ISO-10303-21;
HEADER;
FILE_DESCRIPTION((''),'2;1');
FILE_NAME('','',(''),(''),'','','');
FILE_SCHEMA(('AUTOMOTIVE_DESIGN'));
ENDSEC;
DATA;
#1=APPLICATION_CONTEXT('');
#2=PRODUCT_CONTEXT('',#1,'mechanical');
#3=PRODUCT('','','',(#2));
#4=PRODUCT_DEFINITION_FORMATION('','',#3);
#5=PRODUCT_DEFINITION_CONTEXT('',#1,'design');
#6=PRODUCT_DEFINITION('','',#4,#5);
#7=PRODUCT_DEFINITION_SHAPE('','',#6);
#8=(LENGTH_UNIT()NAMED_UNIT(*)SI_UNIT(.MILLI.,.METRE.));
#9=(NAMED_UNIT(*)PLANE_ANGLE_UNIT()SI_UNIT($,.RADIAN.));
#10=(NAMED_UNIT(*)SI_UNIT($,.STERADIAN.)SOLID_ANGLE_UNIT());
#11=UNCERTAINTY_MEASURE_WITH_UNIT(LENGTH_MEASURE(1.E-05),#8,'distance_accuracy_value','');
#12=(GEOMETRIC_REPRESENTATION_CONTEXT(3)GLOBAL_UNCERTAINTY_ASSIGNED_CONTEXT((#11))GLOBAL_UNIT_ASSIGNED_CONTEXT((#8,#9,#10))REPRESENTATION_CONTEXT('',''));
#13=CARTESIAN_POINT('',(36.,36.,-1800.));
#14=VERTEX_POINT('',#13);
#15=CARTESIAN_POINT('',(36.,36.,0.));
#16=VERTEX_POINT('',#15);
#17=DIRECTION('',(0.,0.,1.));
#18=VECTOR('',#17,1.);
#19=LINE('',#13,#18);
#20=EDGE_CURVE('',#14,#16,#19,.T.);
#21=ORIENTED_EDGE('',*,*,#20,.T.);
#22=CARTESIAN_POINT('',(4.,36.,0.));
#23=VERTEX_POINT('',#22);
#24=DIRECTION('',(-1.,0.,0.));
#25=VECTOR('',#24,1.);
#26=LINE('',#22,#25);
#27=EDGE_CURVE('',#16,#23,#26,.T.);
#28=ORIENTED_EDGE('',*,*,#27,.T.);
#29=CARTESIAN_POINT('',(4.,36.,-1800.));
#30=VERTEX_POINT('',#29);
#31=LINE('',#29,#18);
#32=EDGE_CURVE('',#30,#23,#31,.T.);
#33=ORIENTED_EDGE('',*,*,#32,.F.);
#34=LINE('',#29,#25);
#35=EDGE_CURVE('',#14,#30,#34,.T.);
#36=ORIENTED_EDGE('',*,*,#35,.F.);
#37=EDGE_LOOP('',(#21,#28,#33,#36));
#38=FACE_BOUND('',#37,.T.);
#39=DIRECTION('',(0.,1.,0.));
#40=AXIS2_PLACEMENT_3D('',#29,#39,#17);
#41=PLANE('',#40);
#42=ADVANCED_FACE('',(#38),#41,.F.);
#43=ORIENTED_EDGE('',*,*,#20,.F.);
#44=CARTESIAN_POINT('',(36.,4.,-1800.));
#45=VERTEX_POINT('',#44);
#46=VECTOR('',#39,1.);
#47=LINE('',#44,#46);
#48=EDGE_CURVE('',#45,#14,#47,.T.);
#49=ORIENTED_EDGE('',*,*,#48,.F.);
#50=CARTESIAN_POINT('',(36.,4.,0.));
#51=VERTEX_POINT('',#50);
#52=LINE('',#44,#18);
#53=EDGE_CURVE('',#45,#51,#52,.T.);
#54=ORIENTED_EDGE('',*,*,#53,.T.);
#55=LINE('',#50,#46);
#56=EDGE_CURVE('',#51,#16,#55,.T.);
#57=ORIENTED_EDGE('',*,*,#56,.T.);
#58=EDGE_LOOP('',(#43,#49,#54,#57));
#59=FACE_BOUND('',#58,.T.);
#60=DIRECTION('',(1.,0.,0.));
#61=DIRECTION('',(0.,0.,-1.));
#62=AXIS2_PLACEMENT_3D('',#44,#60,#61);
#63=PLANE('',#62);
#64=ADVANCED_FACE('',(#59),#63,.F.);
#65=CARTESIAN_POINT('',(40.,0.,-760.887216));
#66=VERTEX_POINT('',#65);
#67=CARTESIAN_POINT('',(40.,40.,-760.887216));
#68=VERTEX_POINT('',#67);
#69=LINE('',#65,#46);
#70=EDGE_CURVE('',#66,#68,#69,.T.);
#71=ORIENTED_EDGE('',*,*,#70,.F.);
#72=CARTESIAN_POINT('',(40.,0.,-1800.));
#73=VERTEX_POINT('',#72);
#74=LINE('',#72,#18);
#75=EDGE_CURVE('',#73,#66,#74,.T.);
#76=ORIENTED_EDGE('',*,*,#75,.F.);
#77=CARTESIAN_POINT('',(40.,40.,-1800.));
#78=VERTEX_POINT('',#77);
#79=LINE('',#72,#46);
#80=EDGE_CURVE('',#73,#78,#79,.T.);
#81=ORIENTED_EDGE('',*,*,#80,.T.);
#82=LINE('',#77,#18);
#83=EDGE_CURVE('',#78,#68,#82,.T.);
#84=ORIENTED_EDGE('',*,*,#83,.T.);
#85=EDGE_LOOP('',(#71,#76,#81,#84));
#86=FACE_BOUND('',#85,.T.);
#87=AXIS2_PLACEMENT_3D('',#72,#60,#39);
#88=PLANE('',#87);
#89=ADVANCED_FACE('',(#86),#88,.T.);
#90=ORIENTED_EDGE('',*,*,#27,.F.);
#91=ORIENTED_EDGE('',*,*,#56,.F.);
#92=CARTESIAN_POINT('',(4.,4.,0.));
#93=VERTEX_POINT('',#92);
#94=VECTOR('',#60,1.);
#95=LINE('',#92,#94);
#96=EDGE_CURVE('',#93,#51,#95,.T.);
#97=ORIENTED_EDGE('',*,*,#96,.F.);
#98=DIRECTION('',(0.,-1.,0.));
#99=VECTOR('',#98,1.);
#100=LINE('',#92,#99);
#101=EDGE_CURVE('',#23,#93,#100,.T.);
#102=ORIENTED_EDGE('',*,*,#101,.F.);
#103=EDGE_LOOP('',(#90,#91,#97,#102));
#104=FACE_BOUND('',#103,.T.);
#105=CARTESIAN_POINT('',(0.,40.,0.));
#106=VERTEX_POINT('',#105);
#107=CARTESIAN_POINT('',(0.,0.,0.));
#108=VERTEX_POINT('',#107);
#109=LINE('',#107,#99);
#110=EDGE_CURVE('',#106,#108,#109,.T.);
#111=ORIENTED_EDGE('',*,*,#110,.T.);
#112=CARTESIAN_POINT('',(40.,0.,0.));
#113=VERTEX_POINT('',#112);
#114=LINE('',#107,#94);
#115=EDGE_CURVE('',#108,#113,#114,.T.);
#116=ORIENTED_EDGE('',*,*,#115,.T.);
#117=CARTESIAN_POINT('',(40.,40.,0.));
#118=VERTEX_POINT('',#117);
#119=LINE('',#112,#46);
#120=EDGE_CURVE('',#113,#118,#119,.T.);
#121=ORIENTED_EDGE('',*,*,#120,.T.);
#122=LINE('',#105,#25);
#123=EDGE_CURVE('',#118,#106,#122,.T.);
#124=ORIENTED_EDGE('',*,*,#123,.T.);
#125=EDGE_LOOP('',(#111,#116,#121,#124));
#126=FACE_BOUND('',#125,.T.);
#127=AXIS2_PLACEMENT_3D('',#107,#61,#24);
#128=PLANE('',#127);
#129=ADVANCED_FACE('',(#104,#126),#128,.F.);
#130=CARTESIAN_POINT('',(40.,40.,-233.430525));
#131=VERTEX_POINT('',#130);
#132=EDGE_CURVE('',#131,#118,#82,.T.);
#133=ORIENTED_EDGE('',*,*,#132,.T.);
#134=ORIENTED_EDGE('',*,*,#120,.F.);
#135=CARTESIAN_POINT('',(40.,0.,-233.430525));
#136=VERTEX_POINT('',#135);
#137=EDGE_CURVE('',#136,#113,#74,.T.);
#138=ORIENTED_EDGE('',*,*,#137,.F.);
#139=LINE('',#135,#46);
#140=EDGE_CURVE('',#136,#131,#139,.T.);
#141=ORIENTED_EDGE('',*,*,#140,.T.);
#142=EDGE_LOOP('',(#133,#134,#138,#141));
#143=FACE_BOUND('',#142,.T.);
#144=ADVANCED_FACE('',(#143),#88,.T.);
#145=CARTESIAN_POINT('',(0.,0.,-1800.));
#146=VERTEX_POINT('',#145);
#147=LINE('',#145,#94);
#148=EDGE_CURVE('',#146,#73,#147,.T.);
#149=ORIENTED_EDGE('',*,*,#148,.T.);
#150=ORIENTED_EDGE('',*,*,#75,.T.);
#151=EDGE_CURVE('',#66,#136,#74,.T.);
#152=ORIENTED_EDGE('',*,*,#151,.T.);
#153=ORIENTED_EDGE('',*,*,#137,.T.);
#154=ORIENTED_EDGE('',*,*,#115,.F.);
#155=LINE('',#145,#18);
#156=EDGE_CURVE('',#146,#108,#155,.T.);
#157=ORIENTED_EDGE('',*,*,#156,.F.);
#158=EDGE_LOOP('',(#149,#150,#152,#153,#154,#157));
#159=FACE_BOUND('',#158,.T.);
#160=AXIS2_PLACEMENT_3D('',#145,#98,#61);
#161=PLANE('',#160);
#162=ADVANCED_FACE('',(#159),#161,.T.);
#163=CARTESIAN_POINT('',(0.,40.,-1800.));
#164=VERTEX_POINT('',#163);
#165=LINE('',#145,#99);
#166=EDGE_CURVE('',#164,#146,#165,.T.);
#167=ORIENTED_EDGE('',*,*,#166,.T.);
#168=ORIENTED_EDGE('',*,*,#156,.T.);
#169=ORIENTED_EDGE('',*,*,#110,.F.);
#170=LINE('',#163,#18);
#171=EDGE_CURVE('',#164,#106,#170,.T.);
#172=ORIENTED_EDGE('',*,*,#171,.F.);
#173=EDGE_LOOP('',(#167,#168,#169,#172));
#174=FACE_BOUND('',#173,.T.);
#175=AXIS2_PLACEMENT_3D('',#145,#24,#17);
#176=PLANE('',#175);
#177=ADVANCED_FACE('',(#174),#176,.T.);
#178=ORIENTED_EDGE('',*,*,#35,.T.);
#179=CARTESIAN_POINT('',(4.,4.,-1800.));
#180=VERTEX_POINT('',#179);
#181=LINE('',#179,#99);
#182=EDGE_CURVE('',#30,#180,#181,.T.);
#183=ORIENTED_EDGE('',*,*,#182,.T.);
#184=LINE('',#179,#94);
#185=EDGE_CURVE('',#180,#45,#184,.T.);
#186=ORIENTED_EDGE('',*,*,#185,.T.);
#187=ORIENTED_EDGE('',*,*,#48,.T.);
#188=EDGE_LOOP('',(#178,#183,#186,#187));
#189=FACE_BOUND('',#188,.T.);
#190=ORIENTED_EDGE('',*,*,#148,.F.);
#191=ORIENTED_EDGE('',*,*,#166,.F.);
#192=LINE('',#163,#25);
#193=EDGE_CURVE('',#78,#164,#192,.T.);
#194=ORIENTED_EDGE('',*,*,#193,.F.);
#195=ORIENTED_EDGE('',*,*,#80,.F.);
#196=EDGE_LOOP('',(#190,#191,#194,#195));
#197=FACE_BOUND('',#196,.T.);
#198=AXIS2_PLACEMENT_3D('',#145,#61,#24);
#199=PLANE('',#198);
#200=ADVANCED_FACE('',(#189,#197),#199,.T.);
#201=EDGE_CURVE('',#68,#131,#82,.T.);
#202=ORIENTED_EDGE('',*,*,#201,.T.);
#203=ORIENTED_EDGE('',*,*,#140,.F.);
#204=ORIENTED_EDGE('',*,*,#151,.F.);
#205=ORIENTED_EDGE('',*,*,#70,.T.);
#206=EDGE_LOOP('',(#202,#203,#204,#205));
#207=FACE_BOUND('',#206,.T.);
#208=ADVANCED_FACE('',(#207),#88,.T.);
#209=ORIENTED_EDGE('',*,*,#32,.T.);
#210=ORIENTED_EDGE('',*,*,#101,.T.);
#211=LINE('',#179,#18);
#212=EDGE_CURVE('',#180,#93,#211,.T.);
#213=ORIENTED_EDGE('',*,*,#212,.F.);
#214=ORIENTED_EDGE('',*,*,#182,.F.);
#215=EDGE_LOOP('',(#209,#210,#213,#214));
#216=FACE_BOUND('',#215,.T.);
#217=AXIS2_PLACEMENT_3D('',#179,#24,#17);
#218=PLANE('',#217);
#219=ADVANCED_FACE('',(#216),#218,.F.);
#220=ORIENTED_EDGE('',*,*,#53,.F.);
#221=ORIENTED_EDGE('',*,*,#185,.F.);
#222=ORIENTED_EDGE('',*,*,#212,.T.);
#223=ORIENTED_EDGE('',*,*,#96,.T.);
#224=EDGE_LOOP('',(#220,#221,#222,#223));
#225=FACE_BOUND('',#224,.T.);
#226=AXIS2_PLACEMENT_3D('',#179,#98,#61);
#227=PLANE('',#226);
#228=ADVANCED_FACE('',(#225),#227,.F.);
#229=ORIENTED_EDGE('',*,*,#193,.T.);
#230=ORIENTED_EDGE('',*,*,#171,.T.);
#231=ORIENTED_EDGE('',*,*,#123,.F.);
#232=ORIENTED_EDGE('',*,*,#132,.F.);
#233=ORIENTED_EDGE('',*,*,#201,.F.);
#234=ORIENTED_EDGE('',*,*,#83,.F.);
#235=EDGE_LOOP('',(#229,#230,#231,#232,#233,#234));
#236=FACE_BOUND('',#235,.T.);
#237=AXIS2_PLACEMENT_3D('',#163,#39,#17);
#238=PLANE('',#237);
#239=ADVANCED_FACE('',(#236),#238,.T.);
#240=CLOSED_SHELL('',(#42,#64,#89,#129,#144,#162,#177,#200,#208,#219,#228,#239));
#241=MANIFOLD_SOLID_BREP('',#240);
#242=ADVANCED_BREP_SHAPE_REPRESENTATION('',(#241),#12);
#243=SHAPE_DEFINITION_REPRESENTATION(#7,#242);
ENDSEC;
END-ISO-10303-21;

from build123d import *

# Parameters (mm, degrees)
IZIM1_W                     = 40
IZIM1_H                     = 40
IZIM1_W_2                   = 32
IZIM1_H_2                   = 32
Y_KSEKLIK_EKSTR_ZYON1_DEPTH = 1800


with BuildPart() as part:
    # Çizim1 → Yükseklik-Ekstrüzyon1 (new body)
    with BuildSketch(Plane.XY):
        with Locations((20, 20)):
            Rectangle(IZIM1_W, IZIM1_H)
        with Locations((20, 20)):
            Rectangle(IZIM1_W_2, IZIM1_H_2, mode=Mode.SUBTRACT)
    extrude(amount=-Y_KSEKLIK_EKSTR_ZYON1_DEPTH)


solid = part.part
